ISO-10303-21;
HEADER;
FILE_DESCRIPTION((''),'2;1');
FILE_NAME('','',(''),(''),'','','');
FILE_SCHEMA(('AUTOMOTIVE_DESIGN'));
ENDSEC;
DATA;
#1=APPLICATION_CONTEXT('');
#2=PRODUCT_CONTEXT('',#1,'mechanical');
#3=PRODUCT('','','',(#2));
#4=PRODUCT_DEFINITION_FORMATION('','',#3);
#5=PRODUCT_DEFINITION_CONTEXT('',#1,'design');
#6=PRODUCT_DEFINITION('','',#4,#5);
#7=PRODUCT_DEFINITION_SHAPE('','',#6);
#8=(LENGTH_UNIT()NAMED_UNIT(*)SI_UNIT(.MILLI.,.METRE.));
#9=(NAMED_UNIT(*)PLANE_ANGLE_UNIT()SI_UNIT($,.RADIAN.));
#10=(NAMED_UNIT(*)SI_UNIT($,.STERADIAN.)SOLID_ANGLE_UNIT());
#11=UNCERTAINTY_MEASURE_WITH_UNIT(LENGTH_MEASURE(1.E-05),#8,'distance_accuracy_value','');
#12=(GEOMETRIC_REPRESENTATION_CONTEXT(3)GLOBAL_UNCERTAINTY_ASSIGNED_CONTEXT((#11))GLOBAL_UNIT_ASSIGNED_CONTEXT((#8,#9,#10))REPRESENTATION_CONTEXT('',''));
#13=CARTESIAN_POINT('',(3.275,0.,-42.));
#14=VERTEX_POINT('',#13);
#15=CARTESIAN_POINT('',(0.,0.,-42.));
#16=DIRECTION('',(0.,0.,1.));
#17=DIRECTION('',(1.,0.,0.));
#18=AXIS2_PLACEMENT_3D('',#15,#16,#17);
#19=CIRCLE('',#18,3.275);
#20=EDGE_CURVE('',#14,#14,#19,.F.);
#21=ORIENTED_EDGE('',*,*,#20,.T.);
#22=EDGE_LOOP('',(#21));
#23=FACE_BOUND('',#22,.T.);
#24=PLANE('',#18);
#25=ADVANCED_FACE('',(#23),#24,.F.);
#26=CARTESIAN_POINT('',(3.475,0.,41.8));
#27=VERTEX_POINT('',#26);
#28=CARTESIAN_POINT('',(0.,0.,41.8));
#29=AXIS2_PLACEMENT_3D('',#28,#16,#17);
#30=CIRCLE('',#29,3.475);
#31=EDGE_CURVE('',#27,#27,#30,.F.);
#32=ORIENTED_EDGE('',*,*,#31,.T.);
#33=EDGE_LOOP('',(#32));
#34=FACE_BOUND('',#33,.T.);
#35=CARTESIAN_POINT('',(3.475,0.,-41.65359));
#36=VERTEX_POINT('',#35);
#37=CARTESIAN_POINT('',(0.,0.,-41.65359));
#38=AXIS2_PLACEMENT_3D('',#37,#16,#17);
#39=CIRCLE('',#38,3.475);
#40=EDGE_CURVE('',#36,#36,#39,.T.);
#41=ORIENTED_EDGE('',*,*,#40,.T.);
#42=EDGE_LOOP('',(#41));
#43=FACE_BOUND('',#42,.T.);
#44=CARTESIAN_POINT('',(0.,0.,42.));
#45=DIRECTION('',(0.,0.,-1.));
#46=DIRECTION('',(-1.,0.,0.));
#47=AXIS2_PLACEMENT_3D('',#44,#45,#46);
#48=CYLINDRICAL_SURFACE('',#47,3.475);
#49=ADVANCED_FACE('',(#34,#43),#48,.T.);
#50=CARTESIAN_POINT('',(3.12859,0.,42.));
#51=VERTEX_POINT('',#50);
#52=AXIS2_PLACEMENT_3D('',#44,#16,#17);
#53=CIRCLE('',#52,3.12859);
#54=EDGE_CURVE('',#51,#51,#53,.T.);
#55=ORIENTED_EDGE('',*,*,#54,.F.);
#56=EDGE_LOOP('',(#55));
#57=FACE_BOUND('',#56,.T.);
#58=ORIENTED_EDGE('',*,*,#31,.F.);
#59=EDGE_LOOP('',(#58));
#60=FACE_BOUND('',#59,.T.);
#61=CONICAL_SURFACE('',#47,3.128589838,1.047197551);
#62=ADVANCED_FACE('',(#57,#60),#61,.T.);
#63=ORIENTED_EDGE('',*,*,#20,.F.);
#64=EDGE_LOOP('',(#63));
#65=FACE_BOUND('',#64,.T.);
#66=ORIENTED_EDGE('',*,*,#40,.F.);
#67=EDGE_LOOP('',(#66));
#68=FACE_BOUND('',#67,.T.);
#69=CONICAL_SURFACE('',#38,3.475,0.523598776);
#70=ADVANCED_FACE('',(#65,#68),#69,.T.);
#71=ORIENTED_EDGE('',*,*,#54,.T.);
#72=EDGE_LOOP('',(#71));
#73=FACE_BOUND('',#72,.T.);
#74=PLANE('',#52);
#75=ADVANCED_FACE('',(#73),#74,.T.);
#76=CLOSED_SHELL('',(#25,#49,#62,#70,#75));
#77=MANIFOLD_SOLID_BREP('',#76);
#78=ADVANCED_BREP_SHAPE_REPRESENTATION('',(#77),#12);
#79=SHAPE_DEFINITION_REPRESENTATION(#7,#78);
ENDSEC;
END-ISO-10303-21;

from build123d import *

# Parameters (mm, degrees)
SKETCH1_R             = 3.475
BOSS_EXTRUDE1_DEPTH   = 42
CHAMFER1_SIZE         = 0.2
CHAMFER1_SIZE2        = 0.346410162
CHAMFER1_PART_2_SIZE  = 0.2
CHAMFER1_PART_2_SIZE2 = 0.346410162


with BuildPart() as part:
    # Sketch1 → Boss-Extrude1 (new body, symmetric)
    with BuildSketch(Plane.XY):
        Circle(SKETCH1_R)
    extrude(amount=BOSS_EXTRUDE1_DEPTH, both=True)

    # Chamfer1
    chamfer1_edges = [part.edges().sort_by_distance(p)[0] for p in [
        (-3.475, 0, -42),
    ]]
    chamfer1_side = [part.faces().sort_by_distance(p)[0] for p in [
        (0, 0, -42),
    ]]
    chamfer(chamfer1_edges, length=CHAMFER1_SIZE, length2=CHAMFER1_SIZE2, reference=chamfer1_side[0])

    # Chamfer1 part 2
    chamfer1_part_2_edges = [part.edges().sort_by_distance(p)[0] for p in [
        (-3.475, 0, 42),
    ]]
    chamfer1_part_2_side = [part.faces().sort_by_distance(p)[0] for p in [
        (-3.475, 0, 0),
    ]]
    chamfer(chamfer1_part_2_edges, length=CHAMFER1_PART_2_SIZE, length2=CHAMFER1_PART_2_SIZE2, reference=chamfer1_part_2_side[0])


solid = part.part
